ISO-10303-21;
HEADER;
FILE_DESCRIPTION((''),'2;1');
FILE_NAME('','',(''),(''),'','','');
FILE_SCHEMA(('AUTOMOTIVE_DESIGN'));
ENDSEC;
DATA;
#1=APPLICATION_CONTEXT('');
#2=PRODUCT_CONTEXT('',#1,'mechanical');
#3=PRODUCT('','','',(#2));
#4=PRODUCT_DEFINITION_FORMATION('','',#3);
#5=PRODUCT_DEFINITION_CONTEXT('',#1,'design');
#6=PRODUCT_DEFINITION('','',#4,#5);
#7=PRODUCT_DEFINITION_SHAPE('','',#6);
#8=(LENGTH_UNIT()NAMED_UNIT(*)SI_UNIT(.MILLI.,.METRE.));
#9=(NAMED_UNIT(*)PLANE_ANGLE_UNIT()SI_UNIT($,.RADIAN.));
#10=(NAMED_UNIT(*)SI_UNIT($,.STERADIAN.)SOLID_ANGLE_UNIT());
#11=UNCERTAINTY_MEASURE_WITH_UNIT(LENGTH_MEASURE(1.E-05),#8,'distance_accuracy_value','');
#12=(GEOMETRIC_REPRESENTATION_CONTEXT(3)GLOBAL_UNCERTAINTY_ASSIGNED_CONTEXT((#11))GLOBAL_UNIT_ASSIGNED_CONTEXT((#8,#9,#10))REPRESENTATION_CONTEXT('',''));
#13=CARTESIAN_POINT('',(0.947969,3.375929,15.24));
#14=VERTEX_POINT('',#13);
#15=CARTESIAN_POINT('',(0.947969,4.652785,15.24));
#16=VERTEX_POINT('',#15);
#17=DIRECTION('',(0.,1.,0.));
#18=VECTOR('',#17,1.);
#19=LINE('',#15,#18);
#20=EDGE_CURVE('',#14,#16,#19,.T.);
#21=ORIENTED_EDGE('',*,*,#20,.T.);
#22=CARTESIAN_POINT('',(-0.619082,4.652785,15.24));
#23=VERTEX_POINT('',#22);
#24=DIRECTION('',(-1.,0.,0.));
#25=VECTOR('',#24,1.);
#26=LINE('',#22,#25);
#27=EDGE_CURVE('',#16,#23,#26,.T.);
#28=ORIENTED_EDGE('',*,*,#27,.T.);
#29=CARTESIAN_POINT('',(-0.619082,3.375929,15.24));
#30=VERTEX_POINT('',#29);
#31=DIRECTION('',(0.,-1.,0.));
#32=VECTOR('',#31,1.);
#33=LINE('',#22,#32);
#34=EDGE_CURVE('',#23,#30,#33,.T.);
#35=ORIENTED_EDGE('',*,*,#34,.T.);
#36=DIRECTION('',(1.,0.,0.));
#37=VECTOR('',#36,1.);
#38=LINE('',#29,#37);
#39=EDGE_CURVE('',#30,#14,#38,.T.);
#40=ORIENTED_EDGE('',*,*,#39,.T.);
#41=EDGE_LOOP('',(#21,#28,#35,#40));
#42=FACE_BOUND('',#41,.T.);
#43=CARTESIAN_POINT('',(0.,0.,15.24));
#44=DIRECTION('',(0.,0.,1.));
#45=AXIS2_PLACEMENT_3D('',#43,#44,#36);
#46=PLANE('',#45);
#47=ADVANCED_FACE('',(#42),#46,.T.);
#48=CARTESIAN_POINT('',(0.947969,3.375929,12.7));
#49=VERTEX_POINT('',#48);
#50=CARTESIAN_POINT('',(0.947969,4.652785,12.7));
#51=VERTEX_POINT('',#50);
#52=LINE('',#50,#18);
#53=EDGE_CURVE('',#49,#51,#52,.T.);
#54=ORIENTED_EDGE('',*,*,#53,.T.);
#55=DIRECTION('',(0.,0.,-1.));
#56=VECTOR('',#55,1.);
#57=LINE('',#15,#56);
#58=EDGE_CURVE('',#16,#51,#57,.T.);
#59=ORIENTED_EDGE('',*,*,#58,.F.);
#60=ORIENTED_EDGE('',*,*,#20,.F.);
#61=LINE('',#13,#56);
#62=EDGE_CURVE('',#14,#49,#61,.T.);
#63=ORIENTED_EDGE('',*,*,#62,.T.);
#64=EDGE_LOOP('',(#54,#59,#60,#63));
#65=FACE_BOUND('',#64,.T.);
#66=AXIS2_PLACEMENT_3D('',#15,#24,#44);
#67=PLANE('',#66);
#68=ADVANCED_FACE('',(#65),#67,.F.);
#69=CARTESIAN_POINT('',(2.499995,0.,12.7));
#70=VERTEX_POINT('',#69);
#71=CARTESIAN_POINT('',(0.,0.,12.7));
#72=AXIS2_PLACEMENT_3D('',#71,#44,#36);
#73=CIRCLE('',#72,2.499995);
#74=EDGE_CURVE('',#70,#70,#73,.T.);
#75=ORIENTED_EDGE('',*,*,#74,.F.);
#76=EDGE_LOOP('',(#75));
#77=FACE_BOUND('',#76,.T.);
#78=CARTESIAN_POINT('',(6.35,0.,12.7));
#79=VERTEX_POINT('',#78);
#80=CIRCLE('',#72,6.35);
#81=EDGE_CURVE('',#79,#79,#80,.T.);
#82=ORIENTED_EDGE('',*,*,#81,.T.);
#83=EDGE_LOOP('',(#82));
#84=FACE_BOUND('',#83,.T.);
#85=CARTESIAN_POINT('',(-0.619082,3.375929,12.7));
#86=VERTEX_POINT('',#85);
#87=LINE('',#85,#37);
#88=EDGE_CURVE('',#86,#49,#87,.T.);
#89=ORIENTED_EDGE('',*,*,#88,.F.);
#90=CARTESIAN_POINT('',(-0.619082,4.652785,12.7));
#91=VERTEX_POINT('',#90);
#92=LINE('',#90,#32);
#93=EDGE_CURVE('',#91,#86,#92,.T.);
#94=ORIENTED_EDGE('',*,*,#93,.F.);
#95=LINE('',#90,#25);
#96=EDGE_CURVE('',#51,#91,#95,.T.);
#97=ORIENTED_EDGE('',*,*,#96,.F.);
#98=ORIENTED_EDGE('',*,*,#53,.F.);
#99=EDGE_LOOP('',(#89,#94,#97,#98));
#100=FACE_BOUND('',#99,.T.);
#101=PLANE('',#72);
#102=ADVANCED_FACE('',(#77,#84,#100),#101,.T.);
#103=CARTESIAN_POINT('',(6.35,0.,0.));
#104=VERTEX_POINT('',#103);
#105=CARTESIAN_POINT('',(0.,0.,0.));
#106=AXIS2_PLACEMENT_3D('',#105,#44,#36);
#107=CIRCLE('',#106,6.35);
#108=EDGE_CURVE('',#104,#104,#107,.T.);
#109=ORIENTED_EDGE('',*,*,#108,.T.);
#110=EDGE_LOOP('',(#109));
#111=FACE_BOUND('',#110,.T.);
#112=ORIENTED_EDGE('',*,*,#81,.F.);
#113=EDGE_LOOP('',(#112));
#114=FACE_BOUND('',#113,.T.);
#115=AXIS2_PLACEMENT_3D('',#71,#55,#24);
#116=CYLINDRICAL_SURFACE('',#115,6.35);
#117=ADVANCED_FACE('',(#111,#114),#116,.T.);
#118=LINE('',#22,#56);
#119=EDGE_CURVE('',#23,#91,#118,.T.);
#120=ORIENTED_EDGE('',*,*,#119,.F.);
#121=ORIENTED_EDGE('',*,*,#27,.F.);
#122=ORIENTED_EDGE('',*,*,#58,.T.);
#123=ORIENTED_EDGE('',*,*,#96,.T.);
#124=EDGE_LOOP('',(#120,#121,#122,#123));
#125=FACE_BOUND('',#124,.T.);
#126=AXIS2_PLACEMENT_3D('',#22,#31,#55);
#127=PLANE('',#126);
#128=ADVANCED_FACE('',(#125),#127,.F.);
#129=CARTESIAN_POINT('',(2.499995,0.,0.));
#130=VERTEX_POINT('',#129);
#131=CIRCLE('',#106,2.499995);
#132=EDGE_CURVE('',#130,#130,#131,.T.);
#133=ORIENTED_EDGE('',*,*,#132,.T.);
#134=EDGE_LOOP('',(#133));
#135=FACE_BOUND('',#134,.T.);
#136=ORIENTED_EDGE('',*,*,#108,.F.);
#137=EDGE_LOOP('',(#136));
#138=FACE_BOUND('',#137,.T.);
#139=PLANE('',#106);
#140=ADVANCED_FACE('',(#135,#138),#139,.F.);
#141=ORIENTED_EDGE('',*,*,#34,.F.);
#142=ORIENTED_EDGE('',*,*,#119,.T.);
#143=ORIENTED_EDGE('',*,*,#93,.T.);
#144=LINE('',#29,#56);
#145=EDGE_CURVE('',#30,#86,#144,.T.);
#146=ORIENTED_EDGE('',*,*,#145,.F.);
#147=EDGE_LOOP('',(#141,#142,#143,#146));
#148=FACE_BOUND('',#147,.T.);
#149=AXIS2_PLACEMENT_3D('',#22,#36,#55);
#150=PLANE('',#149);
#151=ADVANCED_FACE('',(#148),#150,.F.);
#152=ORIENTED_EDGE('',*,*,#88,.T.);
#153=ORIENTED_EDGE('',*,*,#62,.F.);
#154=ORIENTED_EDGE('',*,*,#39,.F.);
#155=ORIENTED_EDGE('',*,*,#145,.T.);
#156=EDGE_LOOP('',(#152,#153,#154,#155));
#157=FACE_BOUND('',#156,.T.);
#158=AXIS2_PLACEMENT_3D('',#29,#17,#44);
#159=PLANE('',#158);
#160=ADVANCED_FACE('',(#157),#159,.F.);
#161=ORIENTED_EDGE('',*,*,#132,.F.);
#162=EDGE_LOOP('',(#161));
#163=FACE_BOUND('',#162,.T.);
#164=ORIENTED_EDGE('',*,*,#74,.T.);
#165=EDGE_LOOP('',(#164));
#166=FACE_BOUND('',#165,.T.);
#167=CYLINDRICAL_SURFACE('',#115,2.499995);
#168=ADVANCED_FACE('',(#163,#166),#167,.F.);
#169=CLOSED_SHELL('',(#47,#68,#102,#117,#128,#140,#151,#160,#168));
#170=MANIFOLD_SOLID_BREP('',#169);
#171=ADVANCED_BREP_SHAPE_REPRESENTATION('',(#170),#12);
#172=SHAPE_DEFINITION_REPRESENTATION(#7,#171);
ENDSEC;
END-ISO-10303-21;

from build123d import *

# Parameters (mm, degrees)
SKETCH1_R           = 6.35
SKETCH1_R_2         = 2.499995
BOSS_EXTRUDE1_DEPTH = 12.7
SKETCH2_W           = 1.567050356
SKETCH2_H           = 1.276855845
BOSS_EXTRUDE2_DEPTH = 2.54


with BuildPart() as part:
    # Sketch1 → Boss-Extrude1 (new body)
    with BuildSketch(Plane.XY):
        Circle(SKETCH1_R)
        Circle(SKETCH1_R_2, mode=Mode.SUBTRACT)
    extrude(amount=BOSS_EXTRUDE1_DEPTH)

    # Sketch2 → Boss-Extrude2 (add)
    with BuildSketch(Plane.XY.offset(12.7)):
        with Locations((0.164443556, 4.014357393)):
            Rectangle(SKETCH2_W, SKETCH2_H)
    extrude(amount=BOSS_EXTRUDE2_DEPTH)


solid = part.part
